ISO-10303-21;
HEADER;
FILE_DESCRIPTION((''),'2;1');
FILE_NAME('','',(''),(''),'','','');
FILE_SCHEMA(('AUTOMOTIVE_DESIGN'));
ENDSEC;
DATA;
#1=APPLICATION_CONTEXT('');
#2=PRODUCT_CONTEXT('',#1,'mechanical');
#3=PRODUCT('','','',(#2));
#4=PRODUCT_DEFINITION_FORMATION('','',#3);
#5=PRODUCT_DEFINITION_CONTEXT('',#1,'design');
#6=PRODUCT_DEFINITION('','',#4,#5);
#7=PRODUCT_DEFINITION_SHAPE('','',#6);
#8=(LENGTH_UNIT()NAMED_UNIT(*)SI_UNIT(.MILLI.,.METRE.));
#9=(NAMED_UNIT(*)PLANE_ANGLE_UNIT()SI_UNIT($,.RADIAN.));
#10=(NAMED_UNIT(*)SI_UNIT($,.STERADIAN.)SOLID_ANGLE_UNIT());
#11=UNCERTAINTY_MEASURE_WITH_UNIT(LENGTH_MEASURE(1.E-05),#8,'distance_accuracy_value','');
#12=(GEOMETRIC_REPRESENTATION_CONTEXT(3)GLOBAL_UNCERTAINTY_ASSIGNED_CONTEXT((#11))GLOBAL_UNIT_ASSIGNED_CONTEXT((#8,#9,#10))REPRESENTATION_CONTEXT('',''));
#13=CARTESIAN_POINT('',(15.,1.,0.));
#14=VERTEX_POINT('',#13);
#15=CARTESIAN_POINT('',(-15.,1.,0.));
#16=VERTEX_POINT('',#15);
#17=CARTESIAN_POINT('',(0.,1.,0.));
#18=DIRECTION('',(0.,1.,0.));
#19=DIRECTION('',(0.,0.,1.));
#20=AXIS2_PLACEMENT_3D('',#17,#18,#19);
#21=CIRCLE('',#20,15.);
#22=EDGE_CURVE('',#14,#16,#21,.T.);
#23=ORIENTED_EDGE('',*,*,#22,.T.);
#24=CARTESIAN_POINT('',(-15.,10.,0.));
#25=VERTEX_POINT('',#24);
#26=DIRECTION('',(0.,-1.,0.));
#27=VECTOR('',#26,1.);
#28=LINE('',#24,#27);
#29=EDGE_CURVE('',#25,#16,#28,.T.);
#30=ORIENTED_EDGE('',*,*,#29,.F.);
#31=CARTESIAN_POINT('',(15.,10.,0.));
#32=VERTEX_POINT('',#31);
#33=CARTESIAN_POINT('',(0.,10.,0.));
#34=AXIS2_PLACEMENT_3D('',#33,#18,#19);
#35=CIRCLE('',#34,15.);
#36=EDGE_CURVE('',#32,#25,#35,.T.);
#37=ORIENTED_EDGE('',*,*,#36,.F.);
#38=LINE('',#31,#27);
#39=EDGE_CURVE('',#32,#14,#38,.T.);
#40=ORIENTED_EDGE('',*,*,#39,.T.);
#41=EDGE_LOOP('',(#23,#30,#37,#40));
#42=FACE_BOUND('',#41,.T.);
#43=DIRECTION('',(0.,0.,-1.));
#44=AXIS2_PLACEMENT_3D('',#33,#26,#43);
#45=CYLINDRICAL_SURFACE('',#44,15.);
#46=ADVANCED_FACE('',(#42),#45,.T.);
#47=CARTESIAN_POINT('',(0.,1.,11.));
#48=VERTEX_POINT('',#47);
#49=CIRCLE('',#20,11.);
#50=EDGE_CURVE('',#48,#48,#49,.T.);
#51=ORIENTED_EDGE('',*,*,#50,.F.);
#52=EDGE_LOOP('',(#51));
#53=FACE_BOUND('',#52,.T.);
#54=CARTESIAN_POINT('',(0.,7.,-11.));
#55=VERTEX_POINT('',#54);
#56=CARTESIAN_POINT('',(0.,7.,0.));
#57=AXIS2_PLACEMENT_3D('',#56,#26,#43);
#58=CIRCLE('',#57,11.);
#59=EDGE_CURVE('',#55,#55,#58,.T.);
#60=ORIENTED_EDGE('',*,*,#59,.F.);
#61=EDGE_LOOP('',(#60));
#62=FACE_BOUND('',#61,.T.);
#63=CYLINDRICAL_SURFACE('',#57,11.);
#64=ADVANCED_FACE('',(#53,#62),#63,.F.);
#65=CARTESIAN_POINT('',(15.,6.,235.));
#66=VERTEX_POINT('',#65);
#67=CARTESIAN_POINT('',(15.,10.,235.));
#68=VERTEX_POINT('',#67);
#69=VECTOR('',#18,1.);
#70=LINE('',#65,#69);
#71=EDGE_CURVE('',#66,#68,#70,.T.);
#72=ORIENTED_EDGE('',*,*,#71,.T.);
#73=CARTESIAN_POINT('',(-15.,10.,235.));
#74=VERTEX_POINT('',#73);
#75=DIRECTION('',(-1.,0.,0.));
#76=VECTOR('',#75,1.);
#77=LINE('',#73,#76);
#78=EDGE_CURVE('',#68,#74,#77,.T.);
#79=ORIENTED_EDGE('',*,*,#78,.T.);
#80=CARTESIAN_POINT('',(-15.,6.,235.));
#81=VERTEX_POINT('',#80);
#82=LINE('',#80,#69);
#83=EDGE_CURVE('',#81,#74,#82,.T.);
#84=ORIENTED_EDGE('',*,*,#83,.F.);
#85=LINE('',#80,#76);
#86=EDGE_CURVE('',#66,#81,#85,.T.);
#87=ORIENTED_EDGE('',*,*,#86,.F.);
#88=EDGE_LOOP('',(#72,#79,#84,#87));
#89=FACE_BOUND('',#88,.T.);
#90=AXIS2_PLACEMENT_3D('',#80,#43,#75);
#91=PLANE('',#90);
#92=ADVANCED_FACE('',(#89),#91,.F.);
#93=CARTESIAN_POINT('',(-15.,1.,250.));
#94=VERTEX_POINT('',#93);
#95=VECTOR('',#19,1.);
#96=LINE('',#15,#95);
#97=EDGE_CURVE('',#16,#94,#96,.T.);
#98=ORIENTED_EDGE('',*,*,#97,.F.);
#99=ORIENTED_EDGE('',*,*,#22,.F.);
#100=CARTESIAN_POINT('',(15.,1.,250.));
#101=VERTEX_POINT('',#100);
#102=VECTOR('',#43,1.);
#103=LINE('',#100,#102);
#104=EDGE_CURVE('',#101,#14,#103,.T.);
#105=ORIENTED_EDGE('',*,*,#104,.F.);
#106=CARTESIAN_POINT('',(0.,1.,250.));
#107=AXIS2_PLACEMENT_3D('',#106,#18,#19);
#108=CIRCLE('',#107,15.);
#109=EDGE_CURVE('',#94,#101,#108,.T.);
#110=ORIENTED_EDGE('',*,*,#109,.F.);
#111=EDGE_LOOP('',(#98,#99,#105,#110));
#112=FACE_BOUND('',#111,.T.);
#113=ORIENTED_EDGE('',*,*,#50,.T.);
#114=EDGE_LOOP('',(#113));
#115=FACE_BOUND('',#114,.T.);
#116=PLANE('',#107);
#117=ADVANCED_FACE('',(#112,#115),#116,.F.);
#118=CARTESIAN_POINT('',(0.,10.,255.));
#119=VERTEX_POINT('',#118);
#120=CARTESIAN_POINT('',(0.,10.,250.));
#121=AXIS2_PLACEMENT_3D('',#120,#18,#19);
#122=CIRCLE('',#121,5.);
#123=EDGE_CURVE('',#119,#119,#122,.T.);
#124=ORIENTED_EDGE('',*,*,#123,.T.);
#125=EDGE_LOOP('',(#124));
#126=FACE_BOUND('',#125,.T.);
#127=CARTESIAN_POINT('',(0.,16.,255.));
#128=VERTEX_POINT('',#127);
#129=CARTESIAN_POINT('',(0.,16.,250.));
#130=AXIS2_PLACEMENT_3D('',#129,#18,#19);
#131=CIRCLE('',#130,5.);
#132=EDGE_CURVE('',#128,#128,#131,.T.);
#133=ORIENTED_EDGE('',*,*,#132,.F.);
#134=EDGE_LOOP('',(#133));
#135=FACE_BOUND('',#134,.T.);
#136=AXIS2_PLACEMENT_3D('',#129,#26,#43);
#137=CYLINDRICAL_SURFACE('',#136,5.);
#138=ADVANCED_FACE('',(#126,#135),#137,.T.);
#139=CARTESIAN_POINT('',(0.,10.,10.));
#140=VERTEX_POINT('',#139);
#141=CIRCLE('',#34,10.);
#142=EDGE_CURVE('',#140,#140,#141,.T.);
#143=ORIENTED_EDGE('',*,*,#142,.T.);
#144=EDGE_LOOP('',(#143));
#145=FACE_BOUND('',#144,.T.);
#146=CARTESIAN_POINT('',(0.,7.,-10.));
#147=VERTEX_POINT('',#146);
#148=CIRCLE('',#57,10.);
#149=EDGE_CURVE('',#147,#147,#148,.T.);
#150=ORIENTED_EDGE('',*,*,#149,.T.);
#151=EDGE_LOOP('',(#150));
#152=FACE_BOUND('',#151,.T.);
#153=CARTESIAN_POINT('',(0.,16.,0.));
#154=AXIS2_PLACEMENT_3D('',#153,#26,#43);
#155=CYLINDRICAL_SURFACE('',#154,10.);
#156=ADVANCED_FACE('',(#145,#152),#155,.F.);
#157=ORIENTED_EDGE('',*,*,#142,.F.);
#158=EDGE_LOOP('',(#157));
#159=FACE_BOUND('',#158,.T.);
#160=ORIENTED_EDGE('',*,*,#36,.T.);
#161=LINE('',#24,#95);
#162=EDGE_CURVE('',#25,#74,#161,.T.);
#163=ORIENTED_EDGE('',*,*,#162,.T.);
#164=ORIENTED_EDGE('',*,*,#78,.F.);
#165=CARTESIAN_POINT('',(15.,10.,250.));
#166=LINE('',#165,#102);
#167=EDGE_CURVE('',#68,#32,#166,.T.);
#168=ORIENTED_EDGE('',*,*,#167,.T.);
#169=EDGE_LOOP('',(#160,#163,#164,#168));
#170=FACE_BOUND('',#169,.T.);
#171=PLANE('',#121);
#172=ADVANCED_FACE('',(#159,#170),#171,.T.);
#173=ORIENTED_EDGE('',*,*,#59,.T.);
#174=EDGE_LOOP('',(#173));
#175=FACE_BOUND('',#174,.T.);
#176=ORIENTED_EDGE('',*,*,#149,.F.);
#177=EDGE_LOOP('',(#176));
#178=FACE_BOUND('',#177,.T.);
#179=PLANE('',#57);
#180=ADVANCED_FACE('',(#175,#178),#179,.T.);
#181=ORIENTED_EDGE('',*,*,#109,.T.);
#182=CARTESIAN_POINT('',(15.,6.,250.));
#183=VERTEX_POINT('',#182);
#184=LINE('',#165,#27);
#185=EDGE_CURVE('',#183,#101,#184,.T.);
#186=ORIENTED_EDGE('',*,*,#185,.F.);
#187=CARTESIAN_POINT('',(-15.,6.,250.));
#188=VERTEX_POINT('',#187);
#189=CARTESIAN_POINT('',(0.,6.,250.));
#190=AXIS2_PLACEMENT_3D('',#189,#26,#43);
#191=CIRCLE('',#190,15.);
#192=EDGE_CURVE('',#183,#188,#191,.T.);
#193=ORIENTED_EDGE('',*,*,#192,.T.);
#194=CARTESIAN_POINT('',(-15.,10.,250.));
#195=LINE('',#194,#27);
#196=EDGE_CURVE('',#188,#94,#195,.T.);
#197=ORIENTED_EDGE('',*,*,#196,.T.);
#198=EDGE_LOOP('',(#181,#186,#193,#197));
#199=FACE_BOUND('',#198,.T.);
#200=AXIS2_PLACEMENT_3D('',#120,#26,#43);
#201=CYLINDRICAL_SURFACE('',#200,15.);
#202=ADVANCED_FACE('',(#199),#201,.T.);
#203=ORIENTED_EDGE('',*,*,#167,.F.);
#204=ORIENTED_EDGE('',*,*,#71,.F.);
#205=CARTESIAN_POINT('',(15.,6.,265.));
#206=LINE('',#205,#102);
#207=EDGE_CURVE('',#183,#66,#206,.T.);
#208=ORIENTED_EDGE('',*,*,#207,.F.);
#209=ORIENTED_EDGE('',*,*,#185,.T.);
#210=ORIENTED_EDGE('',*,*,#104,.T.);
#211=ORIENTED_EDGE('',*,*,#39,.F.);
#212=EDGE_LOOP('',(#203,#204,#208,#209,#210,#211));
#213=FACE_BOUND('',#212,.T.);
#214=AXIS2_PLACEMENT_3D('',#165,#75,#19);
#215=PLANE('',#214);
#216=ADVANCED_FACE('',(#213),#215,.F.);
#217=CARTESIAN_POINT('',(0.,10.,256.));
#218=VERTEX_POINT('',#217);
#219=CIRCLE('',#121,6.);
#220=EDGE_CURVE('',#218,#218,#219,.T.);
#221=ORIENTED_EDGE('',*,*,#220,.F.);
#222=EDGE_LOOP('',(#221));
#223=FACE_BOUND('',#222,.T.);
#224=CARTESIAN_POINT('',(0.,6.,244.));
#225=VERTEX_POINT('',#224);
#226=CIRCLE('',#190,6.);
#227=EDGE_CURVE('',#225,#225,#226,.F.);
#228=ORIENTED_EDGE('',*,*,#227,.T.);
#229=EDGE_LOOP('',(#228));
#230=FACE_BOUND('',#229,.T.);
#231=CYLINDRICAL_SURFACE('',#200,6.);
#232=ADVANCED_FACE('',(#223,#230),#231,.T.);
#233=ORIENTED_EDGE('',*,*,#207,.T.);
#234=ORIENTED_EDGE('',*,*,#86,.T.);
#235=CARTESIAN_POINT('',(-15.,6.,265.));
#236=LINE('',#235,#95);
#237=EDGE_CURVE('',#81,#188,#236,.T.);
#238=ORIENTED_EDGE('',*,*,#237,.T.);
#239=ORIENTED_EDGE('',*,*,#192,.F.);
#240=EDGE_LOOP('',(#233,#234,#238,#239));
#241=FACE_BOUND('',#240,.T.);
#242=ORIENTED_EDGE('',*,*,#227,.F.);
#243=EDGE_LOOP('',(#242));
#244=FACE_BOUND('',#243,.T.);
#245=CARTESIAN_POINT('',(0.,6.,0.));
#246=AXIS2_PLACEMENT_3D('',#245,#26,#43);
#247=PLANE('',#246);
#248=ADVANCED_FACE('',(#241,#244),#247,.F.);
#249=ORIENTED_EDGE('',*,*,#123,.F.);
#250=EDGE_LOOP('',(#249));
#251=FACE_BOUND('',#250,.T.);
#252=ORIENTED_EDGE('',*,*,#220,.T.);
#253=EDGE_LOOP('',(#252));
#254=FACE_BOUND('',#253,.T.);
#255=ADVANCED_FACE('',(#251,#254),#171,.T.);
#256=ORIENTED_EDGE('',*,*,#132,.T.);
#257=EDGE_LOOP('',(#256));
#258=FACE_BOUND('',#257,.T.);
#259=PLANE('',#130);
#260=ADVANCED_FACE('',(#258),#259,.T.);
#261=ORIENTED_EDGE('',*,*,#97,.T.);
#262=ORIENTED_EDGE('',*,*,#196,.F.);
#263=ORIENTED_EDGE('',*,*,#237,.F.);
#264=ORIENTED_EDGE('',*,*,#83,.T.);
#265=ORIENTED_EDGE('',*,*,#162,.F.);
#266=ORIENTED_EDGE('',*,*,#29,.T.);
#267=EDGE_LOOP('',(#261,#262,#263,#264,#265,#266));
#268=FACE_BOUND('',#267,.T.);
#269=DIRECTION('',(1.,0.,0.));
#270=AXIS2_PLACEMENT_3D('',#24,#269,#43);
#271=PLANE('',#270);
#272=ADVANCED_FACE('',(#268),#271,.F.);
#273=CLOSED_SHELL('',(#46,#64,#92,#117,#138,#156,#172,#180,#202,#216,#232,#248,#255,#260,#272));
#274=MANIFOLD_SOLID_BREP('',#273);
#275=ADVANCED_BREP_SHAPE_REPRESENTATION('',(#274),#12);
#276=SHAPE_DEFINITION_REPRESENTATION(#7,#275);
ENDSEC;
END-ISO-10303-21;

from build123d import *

# Parameters (mm, degrees)
SKETCH_1_R          = 6
EXTRUDE_1_DEPTH     = 1
EXTRUDE_2_DEPTH     = 9
SKETCH_8_W          = 30
SKETCH_8_H          = 30
CUT_EXTRUDE_2_DEPTH = 4
SKETCH_9_R          = 6
EXTRUDE_6_DEPTH     = 4
SKETCH_10_R         = 5
EXTRUDE_7_DEPTH     = 6
SKETCH_11_R         = 11
CUT_EXTRUDE_3_DEPTH = 7
SKETCH_12_R         = 10
CUT_EXTRUDE_4_DEPTH = 10


with BuildPart() as part:
    # 스케치1 → 보스-돌출1 (new body)
    with BuildSketch(Plane(origin=(0, 0, 0), x_dir=(1, 0, 0), z_dir=(0, 1, 0))):
        Circle(SKETCH_1_R)
    extrude(amount=EXTRUDE_1_DEPTH)

    # 스케치2 → 보스-돌출2 (add)
    with BuildSketch(Plane(origin=(0, 1, 0), x_dir=(1, 0, 0), z_dir=(0, 1, 0))):
        with BuildLine():
            Line((-15, 0), (-15, -250))
            ThreePointArc((-15, -250), (0, -265), (15, -250))
            Line((15, -250), (15, 0))
            ThreePointArc((15, 0), (0, 15), (-15, 0))
        make_face()
    extrude(amount=EXTRUDE_2_DEPTH)

    # 스케치8 → 컷-돌출2 (cut)
    with BuildSketch(Plane(origin=(0, 10, 0), x_dir=(1, 0, 0), z_dir=(0, 1, 0))):
        with Locations((0, -250)):
            Rectangle(SKETCH_8_W, SKETCH_8_H)
    extrude(amount=-CUT_EXTRUDE_2_DEPTH, mode=Mode.SUBTRACT)

    # 스케치9 → 보스-돌출6 (add)
    with BuildSketch(Plane(origin=(0, 6, 0), x_dir=(1, 0, 0), z_dir=(0, 1, 0))):
        with Locations((0, -250)):
            Circle(SKETCH_9_R)
    extrude(amount=EXTRUDE_6_DEPTH)

    # 스케치10 → 보스-돌출7 (add)
    with BuildSketch(Plane(origin=(0, 10, 0), x_dir=(1, 0, 0), z_dir=(0, 1, 0))):
        with Locations((0, -250)):
            Circle(SKETCH_10_R)
    extrude(amount=EXTRUDE_7_DEPTH)

    # 스케치11 → 컷-돌출3 (cut)
    with BuildSketch(Plane.XZ):
        Circle(SKETCH_11_R)
    extrude(amount=-CUT_EXTRUDE_3_DEPTH, mode=Mode.SUBTRACT)

    # 스케치12 → 컷-돌출4 (cut, through all)
    with BuildSketch(Plane.XZ.offset(-7)):
        Circle(SKETCH_12_R)
    extrude(amount=-CUT_EXTRUDE_4_DEPTH, mode=Mode.SUBTRACT)


solid = part.part
